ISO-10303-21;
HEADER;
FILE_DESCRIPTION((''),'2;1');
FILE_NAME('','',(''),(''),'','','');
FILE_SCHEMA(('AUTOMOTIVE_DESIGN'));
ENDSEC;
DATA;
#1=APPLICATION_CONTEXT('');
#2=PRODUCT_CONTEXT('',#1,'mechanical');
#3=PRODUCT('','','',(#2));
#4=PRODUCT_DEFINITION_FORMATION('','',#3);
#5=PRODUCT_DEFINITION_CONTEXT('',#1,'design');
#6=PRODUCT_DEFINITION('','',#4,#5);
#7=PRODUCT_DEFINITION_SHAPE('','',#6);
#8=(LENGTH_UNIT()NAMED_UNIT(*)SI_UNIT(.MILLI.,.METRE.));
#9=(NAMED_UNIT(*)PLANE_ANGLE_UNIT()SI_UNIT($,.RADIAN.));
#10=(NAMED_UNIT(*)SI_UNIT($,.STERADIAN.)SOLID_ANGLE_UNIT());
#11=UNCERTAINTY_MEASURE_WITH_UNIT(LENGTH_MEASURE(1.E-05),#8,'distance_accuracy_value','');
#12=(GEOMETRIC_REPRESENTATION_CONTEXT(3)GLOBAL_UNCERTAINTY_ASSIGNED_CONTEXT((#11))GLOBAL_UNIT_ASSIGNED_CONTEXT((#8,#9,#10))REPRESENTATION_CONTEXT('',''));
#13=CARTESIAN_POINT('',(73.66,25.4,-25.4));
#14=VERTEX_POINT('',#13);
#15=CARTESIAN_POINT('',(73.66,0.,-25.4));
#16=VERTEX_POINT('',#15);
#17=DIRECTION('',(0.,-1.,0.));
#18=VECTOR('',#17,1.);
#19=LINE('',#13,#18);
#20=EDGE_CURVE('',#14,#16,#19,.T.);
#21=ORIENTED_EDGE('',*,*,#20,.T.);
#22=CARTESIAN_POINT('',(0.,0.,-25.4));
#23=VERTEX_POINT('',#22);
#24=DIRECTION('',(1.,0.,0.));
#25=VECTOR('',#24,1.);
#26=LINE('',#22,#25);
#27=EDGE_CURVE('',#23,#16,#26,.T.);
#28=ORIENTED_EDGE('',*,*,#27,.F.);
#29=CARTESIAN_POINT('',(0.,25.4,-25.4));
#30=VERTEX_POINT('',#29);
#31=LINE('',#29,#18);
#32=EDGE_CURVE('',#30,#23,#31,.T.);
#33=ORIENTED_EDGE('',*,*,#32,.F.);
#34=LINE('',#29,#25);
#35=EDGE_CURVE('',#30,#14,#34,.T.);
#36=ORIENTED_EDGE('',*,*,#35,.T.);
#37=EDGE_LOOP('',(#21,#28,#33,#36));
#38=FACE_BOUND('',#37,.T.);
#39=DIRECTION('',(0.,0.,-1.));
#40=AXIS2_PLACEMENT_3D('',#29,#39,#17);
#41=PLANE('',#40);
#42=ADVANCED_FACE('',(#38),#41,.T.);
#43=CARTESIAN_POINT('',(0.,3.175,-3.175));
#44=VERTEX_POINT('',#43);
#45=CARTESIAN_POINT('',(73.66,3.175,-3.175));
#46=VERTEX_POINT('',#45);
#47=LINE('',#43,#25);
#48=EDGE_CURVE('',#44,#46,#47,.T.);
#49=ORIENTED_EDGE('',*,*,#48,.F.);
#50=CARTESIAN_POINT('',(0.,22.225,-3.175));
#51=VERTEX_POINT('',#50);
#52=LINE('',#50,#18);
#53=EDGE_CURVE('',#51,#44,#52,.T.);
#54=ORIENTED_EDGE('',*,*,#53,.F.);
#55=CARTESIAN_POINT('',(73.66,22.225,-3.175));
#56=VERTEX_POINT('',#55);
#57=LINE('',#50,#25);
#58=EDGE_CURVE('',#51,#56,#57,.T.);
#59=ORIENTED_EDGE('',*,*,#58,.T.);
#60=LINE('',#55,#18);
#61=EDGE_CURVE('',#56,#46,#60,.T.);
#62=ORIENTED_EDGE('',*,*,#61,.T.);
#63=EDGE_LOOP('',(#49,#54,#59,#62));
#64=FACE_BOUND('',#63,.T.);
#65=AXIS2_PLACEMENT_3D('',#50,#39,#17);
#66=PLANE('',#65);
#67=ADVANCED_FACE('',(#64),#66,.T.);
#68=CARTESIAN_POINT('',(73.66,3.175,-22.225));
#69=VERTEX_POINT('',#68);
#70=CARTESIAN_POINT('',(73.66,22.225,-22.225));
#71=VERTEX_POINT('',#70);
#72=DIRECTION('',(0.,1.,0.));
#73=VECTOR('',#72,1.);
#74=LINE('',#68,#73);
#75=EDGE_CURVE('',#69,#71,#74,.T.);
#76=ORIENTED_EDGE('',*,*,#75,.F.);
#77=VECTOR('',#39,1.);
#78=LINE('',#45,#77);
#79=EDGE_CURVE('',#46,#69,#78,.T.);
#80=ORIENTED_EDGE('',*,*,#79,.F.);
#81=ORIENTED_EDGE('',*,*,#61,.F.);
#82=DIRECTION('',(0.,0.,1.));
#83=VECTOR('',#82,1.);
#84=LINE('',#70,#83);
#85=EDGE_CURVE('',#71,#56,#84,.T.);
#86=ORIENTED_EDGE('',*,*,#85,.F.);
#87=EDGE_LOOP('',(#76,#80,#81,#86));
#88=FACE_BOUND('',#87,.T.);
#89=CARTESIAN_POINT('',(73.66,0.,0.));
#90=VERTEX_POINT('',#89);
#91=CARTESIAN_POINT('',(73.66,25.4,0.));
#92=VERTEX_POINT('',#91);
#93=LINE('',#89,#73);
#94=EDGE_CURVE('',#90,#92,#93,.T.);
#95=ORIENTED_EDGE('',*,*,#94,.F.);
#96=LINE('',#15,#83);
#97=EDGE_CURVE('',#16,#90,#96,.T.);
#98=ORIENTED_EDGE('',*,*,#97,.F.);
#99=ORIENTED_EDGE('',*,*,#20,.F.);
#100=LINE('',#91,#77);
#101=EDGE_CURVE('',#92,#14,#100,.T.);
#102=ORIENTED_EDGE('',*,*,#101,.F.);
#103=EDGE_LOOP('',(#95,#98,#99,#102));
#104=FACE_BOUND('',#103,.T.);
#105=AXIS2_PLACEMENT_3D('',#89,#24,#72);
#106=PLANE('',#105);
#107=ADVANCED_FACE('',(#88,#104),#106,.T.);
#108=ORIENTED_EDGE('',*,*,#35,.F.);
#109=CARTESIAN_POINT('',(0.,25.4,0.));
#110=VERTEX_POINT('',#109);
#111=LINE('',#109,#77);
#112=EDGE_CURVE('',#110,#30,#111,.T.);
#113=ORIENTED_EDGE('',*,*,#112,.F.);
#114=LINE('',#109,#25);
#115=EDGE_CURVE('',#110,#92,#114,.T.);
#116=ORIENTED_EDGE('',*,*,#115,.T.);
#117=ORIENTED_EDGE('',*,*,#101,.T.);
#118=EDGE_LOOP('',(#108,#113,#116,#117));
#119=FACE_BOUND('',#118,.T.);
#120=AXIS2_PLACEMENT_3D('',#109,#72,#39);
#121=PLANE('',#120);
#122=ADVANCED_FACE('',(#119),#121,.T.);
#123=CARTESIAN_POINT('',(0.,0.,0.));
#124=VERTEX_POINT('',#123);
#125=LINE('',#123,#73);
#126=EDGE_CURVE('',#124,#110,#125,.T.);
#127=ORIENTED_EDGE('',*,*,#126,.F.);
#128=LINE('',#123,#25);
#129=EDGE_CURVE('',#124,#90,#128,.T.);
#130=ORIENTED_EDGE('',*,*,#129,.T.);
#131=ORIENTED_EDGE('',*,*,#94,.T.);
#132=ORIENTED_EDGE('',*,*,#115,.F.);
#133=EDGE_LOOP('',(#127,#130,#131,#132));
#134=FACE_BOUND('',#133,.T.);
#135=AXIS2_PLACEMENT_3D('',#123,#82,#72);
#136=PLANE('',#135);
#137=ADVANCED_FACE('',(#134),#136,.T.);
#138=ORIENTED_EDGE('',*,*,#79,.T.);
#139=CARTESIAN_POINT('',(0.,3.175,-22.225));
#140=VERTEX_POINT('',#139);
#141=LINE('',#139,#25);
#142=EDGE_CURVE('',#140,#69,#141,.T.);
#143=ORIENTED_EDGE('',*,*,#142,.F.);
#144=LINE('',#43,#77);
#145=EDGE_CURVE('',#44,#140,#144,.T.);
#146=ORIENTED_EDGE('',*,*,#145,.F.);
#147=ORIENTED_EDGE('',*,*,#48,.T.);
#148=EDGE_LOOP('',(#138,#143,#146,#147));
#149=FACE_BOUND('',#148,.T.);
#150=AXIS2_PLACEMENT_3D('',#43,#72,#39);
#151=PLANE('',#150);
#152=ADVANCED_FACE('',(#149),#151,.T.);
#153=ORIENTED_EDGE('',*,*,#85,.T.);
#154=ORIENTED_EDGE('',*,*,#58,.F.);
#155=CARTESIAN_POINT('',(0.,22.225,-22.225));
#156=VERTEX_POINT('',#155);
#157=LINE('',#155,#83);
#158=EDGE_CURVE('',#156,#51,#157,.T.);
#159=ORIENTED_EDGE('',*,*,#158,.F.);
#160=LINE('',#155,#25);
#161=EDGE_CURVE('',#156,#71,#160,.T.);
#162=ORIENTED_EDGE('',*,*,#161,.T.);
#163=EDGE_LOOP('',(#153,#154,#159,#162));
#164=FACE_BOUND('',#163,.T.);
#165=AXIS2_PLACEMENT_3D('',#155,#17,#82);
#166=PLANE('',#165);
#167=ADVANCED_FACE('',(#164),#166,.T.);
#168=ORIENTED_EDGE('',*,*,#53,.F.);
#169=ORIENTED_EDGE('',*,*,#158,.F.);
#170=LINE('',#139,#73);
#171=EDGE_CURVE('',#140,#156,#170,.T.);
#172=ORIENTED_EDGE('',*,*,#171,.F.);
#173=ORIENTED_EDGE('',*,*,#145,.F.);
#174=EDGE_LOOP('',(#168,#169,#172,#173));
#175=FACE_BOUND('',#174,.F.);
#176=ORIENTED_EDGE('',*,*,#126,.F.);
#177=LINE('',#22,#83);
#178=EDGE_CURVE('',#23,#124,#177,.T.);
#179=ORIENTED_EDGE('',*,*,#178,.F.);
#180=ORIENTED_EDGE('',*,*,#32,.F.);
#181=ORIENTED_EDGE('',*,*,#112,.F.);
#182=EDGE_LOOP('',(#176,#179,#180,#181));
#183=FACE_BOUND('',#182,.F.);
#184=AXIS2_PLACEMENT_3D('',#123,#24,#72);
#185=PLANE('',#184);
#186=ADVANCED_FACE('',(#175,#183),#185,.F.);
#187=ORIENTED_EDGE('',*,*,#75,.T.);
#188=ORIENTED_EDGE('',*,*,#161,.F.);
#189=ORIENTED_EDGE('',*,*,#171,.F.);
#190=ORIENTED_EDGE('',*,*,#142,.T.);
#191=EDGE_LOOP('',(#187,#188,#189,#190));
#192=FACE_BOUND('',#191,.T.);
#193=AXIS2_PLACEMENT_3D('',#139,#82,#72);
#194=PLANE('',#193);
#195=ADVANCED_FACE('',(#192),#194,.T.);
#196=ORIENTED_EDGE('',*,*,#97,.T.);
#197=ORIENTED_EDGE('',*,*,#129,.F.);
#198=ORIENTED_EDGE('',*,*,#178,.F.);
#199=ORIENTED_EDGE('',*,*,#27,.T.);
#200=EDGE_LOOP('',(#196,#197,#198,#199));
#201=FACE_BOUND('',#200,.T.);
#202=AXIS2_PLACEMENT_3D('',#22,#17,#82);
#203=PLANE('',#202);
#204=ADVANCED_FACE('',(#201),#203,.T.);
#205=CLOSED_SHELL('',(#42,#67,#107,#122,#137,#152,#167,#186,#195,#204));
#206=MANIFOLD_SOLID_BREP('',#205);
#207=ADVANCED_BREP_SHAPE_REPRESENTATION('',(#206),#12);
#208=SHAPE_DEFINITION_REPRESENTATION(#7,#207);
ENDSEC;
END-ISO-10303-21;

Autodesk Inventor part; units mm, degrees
ref_plane "YZ Plane" through (0, 0, 0) normal (1, 0, 0) x (0, 1, 0)
ref_plane "XZ Plane" through (0, 0, 0) normal (0, 1, 0) x (-1, 0, 0)
ref_plane "XY Plane" through (0, 0, 0) normal (0, 0, 1) x (1, 0, 0)
sketch "Sketch1" plane through (0, 0, 0) normal (1, 0, 0) x (0, 1, 0)
  line L0 (0, 0) -> (25.4, 0)
  line L1 (25.4, 0) -> (25.4, -25.4)
  line L2 (25.4, -25.4) -> (0, -25.4)
  line L3 (0, -25.4) -> (0, 0)
  line L4 (22.225, -22.225) -> (22.225, -3.175)
  line L5 (22.225, -3.175) -> (3.175, -3.175)
  line L6 (3.175, -3.175) -> (3.175, -22.225)
  line L7 (3.175, -22.225) -> (22.225, -22.225)
  dimension "d0" = 25.4
  dimension "d1" = 25.4
  dimension "d2" = 3.175
extrude "Extrusion1" add sketch "Sketch1" along normal blind 73.66
properties part number "EdgeToMiddleSpacer"
